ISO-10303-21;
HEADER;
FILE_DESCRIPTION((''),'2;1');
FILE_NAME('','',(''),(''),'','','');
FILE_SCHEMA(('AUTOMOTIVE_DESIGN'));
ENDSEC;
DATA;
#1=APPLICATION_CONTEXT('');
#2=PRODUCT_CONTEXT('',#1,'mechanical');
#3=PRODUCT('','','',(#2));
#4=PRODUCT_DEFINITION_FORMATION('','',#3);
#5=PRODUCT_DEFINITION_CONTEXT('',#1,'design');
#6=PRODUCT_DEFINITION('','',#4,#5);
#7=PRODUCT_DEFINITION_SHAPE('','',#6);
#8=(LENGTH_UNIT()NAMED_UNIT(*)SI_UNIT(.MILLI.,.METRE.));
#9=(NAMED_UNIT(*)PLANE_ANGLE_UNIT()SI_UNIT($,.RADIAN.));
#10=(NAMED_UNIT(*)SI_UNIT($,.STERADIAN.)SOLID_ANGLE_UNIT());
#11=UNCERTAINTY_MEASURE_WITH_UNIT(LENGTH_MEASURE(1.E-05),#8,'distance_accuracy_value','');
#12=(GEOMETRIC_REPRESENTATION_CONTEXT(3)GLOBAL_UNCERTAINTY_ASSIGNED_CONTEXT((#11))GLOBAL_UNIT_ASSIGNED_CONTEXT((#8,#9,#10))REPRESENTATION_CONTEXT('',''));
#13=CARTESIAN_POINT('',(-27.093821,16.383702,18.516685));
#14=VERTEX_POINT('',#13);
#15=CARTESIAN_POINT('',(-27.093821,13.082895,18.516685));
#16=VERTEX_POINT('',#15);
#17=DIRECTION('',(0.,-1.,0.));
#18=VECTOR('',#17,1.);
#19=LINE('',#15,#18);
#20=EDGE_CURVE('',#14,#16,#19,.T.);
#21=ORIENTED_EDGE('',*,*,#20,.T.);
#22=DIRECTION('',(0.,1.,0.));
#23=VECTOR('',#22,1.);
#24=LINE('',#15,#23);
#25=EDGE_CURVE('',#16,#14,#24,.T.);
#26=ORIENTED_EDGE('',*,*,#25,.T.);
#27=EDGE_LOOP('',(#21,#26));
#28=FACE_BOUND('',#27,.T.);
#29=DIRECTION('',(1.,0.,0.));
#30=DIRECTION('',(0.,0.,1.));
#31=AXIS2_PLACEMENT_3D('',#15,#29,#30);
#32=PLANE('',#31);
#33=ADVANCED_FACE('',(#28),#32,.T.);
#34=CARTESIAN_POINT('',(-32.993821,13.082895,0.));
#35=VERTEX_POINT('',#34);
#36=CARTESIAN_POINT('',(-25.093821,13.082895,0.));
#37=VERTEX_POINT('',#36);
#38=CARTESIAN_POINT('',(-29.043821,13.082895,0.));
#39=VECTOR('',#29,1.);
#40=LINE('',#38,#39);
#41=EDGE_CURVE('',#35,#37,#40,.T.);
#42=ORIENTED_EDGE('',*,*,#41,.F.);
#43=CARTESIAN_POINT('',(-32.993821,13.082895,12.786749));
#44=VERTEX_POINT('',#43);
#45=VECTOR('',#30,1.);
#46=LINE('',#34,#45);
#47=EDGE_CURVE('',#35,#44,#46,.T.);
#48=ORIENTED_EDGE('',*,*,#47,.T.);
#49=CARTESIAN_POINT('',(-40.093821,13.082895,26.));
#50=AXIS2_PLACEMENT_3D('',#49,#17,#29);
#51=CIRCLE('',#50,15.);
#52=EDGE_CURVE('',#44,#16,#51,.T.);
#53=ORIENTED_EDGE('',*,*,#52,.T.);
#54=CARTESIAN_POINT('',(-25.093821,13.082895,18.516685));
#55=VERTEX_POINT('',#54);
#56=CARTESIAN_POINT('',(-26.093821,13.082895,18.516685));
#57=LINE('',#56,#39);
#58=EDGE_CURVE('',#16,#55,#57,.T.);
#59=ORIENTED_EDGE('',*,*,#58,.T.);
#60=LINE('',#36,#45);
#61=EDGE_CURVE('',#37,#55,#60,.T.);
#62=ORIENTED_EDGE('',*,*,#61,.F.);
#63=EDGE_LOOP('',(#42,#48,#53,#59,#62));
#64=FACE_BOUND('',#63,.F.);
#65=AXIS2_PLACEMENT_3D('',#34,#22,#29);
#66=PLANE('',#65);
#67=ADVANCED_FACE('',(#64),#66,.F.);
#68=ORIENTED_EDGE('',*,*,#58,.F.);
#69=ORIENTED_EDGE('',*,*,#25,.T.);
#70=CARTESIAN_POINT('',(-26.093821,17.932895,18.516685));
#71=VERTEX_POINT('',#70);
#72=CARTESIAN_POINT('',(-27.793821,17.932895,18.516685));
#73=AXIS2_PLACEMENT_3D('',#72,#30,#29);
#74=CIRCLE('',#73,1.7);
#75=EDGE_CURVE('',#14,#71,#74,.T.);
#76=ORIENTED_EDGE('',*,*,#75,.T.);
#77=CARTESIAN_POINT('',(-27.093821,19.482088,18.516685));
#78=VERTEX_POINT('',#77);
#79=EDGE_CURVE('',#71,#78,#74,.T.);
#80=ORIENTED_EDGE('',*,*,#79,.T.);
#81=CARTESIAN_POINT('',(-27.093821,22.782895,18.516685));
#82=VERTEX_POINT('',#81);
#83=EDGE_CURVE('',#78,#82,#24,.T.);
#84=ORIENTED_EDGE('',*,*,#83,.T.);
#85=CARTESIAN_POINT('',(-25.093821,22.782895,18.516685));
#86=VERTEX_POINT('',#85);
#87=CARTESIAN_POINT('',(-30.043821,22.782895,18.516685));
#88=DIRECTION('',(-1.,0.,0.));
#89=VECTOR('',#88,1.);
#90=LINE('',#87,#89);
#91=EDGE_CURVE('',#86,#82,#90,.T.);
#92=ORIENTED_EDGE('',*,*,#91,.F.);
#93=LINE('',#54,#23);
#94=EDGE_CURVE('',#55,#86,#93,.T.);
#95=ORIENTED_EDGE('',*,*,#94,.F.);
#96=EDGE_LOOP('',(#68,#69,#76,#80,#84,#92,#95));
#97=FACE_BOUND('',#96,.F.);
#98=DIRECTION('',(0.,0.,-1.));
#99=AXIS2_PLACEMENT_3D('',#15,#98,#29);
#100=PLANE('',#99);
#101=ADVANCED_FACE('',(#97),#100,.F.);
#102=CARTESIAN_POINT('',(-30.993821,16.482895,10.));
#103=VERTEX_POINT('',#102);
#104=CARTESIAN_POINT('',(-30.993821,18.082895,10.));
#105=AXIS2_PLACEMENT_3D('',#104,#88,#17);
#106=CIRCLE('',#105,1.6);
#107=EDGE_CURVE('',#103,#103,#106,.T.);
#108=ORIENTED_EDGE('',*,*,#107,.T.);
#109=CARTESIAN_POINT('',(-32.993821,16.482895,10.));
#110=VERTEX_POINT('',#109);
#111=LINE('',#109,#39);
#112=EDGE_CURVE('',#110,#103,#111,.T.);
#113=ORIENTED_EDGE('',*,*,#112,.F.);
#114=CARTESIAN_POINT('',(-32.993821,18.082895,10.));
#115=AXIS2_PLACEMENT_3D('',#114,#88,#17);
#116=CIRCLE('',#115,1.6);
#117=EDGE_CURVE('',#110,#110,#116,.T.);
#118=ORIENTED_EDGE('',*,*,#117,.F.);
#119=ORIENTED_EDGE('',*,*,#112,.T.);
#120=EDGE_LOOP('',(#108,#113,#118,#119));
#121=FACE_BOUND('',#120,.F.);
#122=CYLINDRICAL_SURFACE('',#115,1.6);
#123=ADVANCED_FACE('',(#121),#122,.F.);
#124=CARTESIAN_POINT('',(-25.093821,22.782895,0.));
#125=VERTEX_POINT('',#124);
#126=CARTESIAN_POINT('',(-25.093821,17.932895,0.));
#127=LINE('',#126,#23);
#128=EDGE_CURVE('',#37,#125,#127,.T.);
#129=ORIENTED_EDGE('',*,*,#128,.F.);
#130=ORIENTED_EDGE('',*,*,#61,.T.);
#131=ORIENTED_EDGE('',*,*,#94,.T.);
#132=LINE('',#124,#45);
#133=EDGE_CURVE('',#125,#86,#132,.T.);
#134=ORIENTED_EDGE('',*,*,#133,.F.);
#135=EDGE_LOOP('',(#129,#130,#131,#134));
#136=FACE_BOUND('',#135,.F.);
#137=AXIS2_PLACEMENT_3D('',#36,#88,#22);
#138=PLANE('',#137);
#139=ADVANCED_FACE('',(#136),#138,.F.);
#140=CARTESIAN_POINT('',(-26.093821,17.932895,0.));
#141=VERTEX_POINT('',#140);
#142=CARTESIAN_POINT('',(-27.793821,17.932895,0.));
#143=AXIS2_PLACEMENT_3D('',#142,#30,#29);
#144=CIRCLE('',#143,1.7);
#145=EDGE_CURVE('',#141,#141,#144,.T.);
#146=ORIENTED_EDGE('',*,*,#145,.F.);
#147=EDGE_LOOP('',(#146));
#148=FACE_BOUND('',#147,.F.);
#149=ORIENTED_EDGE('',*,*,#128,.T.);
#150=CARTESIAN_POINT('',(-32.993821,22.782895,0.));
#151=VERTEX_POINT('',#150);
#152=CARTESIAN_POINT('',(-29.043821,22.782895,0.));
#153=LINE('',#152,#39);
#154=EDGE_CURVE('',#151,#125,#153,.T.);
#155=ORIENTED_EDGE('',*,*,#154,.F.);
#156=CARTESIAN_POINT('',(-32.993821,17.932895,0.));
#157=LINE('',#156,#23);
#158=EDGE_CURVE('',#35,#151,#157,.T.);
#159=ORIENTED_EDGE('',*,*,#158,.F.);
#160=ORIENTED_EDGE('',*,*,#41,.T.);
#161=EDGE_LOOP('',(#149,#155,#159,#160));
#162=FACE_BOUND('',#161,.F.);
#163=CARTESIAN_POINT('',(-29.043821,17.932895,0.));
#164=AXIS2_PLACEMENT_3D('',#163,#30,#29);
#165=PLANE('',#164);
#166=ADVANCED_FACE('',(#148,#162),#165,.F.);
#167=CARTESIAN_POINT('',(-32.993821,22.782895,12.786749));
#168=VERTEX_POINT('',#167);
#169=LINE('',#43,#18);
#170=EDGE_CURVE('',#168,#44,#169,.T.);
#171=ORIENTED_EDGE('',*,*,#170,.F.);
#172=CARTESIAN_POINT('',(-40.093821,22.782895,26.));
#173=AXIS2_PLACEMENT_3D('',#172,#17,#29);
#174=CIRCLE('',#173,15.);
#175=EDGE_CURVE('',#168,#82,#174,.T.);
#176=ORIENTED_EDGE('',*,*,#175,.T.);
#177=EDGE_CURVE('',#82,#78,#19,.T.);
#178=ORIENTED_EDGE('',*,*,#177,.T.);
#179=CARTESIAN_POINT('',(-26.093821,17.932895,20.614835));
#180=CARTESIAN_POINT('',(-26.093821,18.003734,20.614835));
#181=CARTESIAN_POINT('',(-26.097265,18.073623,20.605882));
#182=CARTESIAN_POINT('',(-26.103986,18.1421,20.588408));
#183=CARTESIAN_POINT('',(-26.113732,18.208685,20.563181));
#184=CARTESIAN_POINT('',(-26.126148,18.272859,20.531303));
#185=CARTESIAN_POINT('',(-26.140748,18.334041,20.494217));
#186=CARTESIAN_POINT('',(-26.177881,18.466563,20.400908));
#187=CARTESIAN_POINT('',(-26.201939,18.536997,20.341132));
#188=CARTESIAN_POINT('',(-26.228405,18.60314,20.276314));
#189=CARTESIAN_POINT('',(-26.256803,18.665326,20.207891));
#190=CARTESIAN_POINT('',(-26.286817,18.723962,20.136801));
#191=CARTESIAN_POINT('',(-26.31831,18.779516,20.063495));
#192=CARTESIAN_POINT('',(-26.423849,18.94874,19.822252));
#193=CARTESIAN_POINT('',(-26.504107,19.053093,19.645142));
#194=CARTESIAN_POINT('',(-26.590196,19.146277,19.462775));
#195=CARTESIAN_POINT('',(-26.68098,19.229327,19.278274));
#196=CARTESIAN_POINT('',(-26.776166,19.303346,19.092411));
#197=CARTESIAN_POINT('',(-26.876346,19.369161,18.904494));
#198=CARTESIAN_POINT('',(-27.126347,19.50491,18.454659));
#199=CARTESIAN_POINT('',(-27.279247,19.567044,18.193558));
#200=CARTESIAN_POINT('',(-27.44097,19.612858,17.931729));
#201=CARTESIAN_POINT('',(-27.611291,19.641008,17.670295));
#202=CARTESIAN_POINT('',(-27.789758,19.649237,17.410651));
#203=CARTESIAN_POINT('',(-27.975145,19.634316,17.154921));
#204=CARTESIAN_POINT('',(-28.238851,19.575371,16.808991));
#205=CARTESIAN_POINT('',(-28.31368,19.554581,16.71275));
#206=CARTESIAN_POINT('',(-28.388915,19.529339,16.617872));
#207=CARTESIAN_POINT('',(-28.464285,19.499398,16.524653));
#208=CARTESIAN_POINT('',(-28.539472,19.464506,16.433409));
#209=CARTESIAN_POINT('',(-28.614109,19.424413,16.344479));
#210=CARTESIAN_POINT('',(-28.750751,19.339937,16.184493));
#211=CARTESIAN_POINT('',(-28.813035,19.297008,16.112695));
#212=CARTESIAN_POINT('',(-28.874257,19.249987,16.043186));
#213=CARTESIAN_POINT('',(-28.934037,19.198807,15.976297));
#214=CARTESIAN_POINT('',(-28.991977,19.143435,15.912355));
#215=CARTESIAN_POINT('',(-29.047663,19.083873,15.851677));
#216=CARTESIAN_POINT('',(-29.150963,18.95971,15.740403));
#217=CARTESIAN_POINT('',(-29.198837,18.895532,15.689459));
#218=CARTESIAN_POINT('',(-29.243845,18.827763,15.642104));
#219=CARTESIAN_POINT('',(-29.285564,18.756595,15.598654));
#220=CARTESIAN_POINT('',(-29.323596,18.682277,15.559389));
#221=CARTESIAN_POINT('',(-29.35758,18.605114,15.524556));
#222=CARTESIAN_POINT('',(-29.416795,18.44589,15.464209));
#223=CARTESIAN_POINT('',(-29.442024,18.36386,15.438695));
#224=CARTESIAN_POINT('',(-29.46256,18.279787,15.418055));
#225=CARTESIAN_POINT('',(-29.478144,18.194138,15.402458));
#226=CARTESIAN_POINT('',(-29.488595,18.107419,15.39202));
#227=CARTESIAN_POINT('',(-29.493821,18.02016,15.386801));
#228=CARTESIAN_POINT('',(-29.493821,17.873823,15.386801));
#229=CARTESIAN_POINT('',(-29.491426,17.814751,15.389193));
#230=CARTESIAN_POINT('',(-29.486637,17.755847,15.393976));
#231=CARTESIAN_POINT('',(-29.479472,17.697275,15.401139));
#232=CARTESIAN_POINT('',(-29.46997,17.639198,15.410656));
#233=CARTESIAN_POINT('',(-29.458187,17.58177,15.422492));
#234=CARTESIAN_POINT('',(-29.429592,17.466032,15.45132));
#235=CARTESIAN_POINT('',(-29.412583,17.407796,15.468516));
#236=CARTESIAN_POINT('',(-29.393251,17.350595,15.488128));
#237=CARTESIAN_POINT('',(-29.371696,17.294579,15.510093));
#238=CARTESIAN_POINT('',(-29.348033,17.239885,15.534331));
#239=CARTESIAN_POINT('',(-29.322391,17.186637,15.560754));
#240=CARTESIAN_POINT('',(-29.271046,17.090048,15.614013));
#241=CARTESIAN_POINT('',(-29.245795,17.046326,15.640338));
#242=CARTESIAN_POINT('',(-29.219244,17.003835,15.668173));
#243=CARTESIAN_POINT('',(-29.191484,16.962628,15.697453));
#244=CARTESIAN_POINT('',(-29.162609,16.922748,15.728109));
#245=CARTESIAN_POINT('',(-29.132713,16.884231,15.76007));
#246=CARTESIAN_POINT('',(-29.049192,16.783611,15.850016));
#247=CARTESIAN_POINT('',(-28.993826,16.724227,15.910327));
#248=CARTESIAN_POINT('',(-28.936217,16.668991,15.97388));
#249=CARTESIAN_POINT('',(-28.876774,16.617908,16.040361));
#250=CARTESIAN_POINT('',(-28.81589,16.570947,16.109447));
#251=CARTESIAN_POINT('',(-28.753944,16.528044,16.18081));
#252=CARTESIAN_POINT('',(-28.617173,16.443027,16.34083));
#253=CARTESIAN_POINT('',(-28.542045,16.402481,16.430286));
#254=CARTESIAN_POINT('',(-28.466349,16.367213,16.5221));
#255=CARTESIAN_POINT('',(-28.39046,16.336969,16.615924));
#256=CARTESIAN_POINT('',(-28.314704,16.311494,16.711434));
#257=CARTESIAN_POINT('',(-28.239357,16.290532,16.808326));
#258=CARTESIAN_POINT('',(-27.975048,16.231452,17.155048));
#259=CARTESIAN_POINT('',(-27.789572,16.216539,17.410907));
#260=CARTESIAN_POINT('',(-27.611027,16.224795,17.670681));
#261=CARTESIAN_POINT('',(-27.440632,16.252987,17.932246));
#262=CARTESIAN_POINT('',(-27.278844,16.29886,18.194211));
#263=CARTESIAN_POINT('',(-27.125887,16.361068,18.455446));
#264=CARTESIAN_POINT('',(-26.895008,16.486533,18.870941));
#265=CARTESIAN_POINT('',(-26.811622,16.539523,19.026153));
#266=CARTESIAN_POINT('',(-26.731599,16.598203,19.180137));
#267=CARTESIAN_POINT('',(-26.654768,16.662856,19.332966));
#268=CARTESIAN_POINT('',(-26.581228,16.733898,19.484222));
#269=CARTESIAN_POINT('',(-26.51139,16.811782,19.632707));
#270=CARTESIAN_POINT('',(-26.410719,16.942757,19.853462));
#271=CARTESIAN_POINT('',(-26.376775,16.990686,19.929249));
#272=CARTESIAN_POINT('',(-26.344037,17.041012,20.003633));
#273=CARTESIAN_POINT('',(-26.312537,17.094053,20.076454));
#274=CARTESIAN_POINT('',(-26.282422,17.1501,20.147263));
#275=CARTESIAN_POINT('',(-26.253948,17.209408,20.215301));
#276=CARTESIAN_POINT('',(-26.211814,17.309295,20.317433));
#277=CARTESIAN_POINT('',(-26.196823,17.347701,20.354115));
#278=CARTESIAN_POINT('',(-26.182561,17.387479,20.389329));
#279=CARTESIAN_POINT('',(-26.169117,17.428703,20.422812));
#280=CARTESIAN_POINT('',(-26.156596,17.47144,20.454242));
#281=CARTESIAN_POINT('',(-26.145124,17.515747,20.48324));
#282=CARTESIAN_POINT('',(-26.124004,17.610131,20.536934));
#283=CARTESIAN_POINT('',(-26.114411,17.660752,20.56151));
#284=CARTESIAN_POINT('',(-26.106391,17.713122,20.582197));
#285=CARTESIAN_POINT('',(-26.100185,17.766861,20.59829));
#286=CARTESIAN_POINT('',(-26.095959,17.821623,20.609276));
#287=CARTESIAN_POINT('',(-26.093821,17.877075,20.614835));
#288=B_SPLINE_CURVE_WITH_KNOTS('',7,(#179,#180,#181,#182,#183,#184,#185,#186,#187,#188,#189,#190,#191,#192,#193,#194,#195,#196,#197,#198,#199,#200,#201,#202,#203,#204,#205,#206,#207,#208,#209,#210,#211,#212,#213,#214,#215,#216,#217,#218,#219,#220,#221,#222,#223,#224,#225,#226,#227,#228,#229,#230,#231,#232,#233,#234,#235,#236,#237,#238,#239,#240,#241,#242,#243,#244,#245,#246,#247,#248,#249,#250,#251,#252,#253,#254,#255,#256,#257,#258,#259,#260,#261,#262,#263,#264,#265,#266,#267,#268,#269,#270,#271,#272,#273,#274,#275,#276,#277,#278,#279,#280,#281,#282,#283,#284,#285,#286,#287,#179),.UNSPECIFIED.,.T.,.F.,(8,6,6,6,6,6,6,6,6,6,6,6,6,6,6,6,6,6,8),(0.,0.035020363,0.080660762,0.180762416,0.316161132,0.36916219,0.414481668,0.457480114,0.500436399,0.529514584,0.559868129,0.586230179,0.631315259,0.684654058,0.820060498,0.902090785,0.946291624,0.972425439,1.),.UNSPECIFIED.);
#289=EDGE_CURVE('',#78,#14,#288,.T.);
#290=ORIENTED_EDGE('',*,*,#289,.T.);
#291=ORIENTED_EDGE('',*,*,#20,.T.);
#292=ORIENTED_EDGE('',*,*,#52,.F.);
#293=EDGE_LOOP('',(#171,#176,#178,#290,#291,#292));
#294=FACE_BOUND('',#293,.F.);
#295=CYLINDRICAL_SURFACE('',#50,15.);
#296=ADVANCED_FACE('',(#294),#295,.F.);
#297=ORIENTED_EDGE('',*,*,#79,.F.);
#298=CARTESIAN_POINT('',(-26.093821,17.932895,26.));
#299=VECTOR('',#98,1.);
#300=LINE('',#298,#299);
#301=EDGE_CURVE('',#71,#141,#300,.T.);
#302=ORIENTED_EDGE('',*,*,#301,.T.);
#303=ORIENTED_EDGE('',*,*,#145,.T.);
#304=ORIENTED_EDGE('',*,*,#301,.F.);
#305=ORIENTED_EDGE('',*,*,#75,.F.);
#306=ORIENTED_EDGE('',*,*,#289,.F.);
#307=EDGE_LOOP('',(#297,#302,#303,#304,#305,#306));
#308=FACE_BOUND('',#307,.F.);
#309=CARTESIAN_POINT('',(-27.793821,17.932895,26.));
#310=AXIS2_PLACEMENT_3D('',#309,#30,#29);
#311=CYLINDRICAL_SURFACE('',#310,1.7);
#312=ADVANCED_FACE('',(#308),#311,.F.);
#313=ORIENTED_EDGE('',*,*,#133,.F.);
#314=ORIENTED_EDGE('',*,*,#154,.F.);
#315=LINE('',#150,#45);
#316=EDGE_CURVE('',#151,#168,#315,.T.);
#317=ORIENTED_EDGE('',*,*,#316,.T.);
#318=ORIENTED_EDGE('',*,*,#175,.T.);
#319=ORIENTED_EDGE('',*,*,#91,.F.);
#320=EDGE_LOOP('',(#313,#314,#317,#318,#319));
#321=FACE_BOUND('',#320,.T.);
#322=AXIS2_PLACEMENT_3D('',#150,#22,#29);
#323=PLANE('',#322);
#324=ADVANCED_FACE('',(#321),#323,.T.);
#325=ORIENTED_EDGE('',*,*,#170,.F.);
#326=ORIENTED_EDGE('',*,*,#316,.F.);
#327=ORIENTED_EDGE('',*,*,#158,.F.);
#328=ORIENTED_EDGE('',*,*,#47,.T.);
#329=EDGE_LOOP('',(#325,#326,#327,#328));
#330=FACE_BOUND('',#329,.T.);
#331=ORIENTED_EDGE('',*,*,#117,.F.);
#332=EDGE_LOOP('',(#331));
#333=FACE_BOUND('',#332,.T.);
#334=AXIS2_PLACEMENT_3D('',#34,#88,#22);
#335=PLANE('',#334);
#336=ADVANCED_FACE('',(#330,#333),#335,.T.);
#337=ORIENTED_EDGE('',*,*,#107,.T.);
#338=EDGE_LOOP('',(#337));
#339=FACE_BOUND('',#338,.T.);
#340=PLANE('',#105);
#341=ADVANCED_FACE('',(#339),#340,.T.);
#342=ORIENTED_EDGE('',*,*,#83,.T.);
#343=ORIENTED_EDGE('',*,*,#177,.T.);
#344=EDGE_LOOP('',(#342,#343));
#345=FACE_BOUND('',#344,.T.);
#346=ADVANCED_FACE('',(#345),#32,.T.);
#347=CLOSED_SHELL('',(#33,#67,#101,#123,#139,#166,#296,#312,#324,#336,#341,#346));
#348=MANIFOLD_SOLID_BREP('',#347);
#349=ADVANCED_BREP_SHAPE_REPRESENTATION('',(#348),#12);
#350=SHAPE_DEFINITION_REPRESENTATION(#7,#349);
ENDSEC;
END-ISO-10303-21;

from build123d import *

# Parameters (mm, degrees)
SKETCH_W        = 7.9
SKETCH_H        = 9.7
PAD_DEPTH       = 26
SKETCH002_R     = 1.7
POCKET001_DEPTH = 26
SKETCH003_R     = 4
SKETCH003_R_2   = 15
POCKET002_DEPTH = 10
SKETCH004_R     = 1.7
POCKET003_DEPTH = 2
SKETCH005_W     = 2
SKETCH005_H     = 7.483315
POCKET_DEPTH    = 10
SKETCH006_R     = 1.6
POCKET004_DEPTH = 2


with BuildPart() as part:
    # Sketch → Pad (new body)
    with BuildSketch(Plane.XY):
        with Locations((-29.043821, 17.932895)):
            Rectangle(SKETCH_W, SKETCH_H)
    extrude(amount=PAD_DEPTH)

    # Sketch002 → Pocket001 (cut)
    with BuildSketch(Plane.XY.offset(26)):
        with Locations((-27.793821, 17.932895)):
            Circle(SKETCH002_R)
    extrude(amount=-POCKET001_DEPTH, mode=Mode.SUBTRACT)

    # Sketch003 → Pocket002 (cut)
    with BuildSketch(Plane.XZ.offset(-13.082895)):
        with Locations((-19.856678, 26)):
            Circle(SKETCH003_R)
        with Locations((-40.093821, 26)):
            Circle(SKETCH003_R_2)
    extrude(amount=-POCKET002_DEPTH, mode=Mode.SUBTRACT)

    # Sketch004 → Pocket003 (cut)
    with BuildSketch(Plane(origin=(0, 22.782895, 0), x_dir=(-1, 0, 0), z_dir=(0, 1, 0))):
        with Locations((-19.682895, 11)):
            Circle(SKETCH004_R)
    extrude(amount=-POCKET003_DEPTH, mode=Mode.SUBTRACT)

    # Sketch005 → Pocket (cut)
    with BuildSketch(Plane.XZ.offset(-13.082895)):
        with Locations((-26.093821, 22.258342)):
            Rectangle(SKETCH005_W, SKETCH005_H)
    extrude(amount=-POCKET_DEPTH, mode=Mode.SUBTRACT)

    # Sketch006 → Pocket004 (cut)
    with BuildSketch(Plane(origin=(-32.993821, 0, 0), x_dir=(0, -1, 0), z_dir=(-1, 0, 0))):
        with Locations((-18.082895, 10)):
            Circle(SKETCH006_R)
    extrude(amount=-POCKET004_DEPTH, mode=Mode.SUBTRACT)


solid = part.part
